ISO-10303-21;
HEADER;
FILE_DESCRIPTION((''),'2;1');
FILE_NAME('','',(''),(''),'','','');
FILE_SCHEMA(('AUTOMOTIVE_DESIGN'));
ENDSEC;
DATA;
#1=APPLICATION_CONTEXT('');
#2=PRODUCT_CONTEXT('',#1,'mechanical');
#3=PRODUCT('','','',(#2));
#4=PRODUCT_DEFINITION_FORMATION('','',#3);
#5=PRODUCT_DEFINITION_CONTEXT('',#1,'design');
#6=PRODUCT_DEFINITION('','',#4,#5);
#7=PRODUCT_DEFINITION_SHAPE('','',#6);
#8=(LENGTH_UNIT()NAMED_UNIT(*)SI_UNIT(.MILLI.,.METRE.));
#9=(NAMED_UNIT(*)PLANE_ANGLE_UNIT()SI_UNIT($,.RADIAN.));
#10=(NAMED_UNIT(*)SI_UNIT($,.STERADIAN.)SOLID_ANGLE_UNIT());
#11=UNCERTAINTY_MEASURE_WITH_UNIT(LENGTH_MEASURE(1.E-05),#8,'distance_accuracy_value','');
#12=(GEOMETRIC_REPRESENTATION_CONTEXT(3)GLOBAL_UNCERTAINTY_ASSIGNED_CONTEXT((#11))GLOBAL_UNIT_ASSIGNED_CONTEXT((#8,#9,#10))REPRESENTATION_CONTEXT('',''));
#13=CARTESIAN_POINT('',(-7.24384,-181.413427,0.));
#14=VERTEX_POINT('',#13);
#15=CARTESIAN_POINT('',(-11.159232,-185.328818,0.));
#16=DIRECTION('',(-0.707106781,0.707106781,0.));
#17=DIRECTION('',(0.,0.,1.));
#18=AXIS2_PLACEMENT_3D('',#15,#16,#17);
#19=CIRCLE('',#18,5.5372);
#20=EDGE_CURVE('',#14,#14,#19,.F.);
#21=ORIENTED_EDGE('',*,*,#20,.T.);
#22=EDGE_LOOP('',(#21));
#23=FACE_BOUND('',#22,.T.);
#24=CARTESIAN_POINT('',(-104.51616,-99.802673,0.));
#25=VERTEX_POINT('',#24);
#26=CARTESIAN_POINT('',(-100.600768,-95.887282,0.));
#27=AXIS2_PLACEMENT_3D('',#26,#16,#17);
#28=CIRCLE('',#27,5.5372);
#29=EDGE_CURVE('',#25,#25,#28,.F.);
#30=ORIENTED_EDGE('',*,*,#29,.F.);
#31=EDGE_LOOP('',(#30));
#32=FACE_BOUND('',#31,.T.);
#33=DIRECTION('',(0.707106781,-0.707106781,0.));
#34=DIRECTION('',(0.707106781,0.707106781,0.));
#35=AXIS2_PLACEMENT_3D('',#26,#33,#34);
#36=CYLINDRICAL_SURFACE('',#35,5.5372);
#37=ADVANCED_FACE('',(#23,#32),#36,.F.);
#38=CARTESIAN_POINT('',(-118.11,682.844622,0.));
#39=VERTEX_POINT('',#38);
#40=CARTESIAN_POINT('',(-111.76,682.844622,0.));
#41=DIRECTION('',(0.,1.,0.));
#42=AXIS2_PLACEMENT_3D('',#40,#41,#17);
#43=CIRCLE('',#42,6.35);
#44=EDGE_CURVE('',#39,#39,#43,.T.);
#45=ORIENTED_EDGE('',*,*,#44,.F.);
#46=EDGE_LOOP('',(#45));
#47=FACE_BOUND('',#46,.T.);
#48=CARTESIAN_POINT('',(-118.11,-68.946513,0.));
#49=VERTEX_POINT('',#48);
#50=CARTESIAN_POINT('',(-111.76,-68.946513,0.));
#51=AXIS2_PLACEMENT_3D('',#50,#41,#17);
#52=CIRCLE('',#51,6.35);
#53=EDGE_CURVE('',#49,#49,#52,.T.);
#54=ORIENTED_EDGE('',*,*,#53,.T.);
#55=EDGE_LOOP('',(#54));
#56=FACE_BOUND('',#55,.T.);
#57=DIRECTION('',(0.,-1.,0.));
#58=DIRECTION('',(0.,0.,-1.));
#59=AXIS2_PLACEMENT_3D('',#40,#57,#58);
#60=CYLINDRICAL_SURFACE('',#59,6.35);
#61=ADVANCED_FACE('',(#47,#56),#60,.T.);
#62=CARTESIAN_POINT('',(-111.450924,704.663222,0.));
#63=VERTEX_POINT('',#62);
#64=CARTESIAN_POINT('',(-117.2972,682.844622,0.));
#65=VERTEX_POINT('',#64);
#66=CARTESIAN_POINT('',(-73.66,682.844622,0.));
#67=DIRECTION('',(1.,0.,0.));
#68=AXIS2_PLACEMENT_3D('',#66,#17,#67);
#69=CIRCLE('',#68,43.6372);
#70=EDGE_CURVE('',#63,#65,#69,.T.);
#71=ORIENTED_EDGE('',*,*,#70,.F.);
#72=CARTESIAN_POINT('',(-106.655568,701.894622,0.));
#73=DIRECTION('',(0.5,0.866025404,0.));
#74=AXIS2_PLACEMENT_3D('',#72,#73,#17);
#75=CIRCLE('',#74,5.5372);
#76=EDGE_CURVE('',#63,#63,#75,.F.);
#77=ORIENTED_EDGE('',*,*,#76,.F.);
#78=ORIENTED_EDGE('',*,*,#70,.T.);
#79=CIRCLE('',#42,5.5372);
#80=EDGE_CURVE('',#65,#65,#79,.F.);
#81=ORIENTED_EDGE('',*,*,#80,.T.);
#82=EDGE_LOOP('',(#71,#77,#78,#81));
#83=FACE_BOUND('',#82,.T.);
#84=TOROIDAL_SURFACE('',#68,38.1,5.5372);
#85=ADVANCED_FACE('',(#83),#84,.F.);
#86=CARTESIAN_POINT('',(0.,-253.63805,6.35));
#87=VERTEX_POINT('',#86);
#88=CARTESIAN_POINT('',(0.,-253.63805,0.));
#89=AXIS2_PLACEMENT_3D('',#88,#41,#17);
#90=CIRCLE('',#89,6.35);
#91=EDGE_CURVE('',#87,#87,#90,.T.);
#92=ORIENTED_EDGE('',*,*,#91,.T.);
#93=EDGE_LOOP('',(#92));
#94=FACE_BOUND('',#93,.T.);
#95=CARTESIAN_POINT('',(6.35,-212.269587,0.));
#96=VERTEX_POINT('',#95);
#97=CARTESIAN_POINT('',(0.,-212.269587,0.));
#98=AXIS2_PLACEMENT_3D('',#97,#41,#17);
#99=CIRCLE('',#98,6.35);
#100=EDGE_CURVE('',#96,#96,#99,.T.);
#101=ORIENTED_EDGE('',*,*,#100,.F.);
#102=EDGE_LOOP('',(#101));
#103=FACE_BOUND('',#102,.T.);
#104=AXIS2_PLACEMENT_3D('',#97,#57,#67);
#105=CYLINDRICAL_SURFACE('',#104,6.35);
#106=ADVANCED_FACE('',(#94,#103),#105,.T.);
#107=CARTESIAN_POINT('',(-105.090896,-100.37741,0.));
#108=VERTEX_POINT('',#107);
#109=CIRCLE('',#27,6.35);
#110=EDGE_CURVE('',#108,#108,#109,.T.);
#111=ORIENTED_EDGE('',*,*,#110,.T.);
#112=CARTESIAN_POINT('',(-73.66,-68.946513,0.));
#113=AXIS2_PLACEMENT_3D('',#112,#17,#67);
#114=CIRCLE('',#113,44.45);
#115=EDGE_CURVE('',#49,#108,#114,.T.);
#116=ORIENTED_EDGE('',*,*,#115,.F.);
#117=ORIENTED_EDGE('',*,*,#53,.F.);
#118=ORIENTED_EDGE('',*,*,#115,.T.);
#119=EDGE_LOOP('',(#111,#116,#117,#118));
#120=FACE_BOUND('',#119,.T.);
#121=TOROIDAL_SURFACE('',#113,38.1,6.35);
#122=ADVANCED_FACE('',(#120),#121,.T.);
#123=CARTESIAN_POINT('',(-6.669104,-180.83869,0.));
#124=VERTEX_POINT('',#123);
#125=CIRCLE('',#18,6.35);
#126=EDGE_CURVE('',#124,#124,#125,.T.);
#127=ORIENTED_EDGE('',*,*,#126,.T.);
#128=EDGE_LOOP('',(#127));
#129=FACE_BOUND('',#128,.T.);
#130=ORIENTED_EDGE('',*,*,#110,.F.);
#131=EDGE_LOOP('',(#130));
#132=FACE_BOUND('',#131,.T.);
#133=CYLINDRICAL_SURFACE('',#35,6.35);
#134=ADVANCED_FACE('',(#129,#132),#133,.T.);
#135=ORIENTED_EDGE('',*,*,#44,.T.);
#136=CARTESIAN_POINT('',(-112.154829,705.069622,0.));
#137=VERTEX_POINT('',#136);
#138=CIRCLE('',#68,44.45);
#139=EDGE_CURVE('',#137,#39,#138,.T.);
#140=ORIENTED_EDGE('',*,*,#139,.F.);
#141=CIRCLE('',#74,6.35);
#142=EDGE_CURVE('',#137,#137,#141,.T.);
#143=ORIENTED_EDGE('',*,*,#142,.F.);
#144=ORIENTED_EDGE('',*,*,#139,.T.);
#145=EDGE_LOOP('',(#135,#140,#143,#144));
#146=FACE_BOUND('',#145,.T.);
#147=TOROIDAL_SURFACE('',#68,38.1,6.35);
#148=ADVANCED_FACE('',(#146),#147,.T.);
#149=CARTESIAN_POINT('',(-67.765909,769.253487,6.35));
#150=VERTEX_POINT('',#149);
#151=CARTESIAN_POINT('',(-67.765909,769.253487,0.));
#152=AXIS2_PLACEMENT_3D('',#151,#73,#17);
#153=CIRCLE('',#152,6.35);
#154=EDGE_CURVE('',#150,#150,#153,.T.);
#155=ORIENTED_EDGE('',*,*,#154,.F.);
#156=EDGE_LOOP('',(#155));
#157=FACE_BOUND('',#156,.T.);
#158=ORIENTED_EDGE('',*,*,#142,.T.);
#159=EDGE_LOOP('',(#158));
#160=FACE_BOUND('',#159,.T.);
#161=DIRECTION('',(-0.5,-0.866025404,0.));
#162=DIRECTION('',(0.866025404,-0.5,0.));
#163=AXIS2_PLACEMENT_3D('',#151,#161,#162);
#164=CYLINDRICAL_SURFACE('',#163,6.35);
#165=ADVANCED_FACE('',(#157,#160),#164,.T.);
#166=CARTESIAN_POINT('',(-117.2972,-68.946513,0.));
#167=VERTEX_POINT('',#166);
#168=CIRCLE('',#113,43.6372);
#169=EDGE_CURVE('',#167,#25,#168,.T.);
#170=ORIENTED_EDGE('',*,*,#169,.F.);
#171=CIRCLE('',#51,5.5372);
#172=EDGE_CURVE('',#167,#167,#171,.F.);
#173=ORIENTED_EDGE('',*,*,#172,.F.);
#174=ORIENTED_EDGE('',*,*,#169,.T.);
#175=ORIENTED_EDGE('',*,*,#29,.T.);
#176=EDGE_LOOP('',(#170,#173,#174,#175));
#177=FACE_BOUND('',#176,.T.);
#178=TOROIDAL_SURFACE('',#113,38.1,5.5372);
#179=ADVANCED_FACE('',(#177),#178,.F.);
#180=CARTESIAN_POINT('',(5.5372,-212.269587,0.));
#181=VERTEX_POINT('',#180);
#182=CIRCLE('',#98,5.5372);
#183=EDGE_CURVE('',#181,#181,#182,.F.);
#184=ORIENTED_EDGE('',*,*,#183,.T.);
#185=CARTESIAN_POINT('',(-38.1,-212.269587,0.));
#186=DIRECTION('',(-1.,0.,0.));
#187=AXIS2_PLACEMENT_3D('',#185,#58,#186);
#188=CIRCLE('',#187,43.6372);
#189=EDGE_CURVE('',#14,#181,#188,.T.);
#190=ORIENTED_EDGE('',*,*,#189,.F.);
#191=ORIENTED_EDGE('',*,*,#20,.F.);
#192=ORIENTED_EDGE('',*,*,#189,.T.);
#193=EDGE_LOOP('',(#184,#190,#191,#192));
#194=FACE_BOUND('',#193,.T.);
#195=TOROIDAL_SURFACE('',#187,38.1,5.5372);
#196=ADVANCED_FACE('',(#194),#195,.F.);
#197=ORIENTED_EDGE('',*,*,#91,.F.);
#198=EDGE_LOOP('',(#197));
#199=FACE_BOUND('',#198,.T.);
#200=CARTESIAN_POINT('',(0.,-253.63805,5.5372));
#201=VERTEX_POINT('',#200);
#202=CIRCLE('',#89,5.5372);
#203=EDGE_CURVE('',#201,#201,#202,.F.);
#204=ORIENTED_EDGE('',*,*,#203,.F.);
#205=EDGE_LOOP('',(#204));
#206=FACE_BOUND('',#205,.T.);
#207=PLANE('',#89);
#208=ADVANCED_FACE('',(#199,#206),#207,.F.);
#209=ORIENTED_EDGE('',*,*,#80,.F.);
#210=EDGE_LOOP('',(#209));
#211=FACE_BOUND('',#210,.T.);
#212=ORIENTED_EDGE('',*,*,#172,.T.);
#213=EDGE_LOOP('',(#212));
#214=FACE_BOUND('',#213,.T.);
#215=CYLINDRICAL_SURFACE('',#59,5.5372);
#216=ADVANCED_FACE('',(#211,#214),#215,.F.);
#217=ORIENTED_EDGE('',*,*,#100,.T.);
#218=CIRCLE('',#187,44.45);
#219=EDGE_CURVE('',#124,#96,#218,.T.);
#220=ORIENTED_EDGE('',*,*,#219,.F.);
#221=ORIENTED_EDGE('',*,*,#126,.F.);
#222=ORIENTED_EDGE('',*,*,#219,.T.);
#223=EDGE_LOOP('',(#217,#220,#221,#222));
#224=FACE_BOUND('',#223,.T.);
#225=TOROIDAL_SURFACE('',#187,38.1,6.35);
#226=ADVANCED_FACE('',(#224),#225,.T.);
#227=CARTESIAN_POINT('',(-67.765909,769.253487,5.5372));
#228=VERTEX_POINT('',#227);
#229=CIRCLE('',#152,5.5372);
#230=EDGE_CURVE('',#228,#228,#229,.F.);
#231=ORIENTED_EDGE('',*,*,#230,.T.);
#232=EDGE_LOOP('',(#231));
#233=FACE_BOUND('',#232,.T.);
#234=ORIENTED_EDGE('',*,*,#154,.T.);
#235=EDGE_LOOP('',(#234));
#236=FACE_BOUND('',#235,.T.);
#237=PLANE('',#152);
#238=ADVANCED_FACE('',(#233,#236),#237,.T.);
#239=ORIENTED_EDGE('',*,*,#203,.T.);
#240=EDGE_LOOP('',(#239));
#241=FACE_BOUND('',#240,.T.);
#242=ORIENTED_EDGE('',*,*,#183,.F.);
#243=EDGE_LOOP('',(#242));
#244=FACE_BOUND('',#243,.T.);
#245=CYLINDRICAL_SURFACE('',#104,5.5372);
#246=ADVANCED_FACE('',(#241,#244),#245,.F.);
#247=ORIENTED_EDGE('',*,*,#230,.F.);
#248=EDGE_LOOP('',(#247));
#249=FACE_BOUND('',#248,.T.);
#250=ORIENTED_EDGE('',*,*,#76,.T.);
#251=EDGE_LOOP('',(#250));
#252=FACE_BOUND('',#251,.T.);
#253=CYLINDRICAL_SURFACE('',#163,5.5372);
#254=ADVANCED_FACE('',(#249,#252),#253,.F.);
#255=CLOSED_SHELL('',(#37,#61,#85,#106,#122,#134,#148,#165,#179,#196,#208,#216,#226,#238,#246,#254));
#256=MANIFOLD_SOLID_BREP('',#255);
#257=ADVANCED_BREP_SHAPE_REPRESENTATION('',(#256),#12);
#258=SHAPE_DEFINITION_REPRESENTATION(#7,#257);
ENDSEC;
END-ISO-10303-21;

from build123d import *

# Parameters (mm, degrees)
SKETCH2_R   = 6.35
SKETCH2_R_2 = 5.5372


with BuildPart() as part:
    # Sweep1: sweep along a path in Sketch1
    with BuildLine(Plane.XY) as sweep1_path:
        Line((0, -253.63805), (0, -212.269586726))
        ThreePointArc((0, -212.269586726), (-2.900189811, -197.689347953), (-11.159231637, -185.328818363))
        Line((-11.159231637, -185.328818363), (-100.600768363, -95.887281637))
        ThreePointArc((-100.600768363, -95.887281637), (-108.859810189, -83.526752047), (-111.76, -68.946513274))
        Line((-111.76, -68.946513274), (-111.76, 682.844622495))
        ThreePointArc((-111.76, 682.844622495), (-110.461773982, 692.705628113), (-106.655567884, 701.894622495))
        Line((-106.655567884, 701.894622495), (-67.765909488, 769.253486726))
    # Sketch2 → Sweep1 (sweep)
    with BuildSketch(Plane(origin=(0, 0, 0), x_dir=(1, 0, 0), z_dir=(0, 1, 0))):
        with Locations((-111.76, 0)):
            Circle(SKETCH2_R)
        with Locations((-111.76, 0)):
            Circle(SKETCH2_R_2, mode=Mode.SUBTRACT)
    sweep(path=sweep1_path.line)


solid = part.part
